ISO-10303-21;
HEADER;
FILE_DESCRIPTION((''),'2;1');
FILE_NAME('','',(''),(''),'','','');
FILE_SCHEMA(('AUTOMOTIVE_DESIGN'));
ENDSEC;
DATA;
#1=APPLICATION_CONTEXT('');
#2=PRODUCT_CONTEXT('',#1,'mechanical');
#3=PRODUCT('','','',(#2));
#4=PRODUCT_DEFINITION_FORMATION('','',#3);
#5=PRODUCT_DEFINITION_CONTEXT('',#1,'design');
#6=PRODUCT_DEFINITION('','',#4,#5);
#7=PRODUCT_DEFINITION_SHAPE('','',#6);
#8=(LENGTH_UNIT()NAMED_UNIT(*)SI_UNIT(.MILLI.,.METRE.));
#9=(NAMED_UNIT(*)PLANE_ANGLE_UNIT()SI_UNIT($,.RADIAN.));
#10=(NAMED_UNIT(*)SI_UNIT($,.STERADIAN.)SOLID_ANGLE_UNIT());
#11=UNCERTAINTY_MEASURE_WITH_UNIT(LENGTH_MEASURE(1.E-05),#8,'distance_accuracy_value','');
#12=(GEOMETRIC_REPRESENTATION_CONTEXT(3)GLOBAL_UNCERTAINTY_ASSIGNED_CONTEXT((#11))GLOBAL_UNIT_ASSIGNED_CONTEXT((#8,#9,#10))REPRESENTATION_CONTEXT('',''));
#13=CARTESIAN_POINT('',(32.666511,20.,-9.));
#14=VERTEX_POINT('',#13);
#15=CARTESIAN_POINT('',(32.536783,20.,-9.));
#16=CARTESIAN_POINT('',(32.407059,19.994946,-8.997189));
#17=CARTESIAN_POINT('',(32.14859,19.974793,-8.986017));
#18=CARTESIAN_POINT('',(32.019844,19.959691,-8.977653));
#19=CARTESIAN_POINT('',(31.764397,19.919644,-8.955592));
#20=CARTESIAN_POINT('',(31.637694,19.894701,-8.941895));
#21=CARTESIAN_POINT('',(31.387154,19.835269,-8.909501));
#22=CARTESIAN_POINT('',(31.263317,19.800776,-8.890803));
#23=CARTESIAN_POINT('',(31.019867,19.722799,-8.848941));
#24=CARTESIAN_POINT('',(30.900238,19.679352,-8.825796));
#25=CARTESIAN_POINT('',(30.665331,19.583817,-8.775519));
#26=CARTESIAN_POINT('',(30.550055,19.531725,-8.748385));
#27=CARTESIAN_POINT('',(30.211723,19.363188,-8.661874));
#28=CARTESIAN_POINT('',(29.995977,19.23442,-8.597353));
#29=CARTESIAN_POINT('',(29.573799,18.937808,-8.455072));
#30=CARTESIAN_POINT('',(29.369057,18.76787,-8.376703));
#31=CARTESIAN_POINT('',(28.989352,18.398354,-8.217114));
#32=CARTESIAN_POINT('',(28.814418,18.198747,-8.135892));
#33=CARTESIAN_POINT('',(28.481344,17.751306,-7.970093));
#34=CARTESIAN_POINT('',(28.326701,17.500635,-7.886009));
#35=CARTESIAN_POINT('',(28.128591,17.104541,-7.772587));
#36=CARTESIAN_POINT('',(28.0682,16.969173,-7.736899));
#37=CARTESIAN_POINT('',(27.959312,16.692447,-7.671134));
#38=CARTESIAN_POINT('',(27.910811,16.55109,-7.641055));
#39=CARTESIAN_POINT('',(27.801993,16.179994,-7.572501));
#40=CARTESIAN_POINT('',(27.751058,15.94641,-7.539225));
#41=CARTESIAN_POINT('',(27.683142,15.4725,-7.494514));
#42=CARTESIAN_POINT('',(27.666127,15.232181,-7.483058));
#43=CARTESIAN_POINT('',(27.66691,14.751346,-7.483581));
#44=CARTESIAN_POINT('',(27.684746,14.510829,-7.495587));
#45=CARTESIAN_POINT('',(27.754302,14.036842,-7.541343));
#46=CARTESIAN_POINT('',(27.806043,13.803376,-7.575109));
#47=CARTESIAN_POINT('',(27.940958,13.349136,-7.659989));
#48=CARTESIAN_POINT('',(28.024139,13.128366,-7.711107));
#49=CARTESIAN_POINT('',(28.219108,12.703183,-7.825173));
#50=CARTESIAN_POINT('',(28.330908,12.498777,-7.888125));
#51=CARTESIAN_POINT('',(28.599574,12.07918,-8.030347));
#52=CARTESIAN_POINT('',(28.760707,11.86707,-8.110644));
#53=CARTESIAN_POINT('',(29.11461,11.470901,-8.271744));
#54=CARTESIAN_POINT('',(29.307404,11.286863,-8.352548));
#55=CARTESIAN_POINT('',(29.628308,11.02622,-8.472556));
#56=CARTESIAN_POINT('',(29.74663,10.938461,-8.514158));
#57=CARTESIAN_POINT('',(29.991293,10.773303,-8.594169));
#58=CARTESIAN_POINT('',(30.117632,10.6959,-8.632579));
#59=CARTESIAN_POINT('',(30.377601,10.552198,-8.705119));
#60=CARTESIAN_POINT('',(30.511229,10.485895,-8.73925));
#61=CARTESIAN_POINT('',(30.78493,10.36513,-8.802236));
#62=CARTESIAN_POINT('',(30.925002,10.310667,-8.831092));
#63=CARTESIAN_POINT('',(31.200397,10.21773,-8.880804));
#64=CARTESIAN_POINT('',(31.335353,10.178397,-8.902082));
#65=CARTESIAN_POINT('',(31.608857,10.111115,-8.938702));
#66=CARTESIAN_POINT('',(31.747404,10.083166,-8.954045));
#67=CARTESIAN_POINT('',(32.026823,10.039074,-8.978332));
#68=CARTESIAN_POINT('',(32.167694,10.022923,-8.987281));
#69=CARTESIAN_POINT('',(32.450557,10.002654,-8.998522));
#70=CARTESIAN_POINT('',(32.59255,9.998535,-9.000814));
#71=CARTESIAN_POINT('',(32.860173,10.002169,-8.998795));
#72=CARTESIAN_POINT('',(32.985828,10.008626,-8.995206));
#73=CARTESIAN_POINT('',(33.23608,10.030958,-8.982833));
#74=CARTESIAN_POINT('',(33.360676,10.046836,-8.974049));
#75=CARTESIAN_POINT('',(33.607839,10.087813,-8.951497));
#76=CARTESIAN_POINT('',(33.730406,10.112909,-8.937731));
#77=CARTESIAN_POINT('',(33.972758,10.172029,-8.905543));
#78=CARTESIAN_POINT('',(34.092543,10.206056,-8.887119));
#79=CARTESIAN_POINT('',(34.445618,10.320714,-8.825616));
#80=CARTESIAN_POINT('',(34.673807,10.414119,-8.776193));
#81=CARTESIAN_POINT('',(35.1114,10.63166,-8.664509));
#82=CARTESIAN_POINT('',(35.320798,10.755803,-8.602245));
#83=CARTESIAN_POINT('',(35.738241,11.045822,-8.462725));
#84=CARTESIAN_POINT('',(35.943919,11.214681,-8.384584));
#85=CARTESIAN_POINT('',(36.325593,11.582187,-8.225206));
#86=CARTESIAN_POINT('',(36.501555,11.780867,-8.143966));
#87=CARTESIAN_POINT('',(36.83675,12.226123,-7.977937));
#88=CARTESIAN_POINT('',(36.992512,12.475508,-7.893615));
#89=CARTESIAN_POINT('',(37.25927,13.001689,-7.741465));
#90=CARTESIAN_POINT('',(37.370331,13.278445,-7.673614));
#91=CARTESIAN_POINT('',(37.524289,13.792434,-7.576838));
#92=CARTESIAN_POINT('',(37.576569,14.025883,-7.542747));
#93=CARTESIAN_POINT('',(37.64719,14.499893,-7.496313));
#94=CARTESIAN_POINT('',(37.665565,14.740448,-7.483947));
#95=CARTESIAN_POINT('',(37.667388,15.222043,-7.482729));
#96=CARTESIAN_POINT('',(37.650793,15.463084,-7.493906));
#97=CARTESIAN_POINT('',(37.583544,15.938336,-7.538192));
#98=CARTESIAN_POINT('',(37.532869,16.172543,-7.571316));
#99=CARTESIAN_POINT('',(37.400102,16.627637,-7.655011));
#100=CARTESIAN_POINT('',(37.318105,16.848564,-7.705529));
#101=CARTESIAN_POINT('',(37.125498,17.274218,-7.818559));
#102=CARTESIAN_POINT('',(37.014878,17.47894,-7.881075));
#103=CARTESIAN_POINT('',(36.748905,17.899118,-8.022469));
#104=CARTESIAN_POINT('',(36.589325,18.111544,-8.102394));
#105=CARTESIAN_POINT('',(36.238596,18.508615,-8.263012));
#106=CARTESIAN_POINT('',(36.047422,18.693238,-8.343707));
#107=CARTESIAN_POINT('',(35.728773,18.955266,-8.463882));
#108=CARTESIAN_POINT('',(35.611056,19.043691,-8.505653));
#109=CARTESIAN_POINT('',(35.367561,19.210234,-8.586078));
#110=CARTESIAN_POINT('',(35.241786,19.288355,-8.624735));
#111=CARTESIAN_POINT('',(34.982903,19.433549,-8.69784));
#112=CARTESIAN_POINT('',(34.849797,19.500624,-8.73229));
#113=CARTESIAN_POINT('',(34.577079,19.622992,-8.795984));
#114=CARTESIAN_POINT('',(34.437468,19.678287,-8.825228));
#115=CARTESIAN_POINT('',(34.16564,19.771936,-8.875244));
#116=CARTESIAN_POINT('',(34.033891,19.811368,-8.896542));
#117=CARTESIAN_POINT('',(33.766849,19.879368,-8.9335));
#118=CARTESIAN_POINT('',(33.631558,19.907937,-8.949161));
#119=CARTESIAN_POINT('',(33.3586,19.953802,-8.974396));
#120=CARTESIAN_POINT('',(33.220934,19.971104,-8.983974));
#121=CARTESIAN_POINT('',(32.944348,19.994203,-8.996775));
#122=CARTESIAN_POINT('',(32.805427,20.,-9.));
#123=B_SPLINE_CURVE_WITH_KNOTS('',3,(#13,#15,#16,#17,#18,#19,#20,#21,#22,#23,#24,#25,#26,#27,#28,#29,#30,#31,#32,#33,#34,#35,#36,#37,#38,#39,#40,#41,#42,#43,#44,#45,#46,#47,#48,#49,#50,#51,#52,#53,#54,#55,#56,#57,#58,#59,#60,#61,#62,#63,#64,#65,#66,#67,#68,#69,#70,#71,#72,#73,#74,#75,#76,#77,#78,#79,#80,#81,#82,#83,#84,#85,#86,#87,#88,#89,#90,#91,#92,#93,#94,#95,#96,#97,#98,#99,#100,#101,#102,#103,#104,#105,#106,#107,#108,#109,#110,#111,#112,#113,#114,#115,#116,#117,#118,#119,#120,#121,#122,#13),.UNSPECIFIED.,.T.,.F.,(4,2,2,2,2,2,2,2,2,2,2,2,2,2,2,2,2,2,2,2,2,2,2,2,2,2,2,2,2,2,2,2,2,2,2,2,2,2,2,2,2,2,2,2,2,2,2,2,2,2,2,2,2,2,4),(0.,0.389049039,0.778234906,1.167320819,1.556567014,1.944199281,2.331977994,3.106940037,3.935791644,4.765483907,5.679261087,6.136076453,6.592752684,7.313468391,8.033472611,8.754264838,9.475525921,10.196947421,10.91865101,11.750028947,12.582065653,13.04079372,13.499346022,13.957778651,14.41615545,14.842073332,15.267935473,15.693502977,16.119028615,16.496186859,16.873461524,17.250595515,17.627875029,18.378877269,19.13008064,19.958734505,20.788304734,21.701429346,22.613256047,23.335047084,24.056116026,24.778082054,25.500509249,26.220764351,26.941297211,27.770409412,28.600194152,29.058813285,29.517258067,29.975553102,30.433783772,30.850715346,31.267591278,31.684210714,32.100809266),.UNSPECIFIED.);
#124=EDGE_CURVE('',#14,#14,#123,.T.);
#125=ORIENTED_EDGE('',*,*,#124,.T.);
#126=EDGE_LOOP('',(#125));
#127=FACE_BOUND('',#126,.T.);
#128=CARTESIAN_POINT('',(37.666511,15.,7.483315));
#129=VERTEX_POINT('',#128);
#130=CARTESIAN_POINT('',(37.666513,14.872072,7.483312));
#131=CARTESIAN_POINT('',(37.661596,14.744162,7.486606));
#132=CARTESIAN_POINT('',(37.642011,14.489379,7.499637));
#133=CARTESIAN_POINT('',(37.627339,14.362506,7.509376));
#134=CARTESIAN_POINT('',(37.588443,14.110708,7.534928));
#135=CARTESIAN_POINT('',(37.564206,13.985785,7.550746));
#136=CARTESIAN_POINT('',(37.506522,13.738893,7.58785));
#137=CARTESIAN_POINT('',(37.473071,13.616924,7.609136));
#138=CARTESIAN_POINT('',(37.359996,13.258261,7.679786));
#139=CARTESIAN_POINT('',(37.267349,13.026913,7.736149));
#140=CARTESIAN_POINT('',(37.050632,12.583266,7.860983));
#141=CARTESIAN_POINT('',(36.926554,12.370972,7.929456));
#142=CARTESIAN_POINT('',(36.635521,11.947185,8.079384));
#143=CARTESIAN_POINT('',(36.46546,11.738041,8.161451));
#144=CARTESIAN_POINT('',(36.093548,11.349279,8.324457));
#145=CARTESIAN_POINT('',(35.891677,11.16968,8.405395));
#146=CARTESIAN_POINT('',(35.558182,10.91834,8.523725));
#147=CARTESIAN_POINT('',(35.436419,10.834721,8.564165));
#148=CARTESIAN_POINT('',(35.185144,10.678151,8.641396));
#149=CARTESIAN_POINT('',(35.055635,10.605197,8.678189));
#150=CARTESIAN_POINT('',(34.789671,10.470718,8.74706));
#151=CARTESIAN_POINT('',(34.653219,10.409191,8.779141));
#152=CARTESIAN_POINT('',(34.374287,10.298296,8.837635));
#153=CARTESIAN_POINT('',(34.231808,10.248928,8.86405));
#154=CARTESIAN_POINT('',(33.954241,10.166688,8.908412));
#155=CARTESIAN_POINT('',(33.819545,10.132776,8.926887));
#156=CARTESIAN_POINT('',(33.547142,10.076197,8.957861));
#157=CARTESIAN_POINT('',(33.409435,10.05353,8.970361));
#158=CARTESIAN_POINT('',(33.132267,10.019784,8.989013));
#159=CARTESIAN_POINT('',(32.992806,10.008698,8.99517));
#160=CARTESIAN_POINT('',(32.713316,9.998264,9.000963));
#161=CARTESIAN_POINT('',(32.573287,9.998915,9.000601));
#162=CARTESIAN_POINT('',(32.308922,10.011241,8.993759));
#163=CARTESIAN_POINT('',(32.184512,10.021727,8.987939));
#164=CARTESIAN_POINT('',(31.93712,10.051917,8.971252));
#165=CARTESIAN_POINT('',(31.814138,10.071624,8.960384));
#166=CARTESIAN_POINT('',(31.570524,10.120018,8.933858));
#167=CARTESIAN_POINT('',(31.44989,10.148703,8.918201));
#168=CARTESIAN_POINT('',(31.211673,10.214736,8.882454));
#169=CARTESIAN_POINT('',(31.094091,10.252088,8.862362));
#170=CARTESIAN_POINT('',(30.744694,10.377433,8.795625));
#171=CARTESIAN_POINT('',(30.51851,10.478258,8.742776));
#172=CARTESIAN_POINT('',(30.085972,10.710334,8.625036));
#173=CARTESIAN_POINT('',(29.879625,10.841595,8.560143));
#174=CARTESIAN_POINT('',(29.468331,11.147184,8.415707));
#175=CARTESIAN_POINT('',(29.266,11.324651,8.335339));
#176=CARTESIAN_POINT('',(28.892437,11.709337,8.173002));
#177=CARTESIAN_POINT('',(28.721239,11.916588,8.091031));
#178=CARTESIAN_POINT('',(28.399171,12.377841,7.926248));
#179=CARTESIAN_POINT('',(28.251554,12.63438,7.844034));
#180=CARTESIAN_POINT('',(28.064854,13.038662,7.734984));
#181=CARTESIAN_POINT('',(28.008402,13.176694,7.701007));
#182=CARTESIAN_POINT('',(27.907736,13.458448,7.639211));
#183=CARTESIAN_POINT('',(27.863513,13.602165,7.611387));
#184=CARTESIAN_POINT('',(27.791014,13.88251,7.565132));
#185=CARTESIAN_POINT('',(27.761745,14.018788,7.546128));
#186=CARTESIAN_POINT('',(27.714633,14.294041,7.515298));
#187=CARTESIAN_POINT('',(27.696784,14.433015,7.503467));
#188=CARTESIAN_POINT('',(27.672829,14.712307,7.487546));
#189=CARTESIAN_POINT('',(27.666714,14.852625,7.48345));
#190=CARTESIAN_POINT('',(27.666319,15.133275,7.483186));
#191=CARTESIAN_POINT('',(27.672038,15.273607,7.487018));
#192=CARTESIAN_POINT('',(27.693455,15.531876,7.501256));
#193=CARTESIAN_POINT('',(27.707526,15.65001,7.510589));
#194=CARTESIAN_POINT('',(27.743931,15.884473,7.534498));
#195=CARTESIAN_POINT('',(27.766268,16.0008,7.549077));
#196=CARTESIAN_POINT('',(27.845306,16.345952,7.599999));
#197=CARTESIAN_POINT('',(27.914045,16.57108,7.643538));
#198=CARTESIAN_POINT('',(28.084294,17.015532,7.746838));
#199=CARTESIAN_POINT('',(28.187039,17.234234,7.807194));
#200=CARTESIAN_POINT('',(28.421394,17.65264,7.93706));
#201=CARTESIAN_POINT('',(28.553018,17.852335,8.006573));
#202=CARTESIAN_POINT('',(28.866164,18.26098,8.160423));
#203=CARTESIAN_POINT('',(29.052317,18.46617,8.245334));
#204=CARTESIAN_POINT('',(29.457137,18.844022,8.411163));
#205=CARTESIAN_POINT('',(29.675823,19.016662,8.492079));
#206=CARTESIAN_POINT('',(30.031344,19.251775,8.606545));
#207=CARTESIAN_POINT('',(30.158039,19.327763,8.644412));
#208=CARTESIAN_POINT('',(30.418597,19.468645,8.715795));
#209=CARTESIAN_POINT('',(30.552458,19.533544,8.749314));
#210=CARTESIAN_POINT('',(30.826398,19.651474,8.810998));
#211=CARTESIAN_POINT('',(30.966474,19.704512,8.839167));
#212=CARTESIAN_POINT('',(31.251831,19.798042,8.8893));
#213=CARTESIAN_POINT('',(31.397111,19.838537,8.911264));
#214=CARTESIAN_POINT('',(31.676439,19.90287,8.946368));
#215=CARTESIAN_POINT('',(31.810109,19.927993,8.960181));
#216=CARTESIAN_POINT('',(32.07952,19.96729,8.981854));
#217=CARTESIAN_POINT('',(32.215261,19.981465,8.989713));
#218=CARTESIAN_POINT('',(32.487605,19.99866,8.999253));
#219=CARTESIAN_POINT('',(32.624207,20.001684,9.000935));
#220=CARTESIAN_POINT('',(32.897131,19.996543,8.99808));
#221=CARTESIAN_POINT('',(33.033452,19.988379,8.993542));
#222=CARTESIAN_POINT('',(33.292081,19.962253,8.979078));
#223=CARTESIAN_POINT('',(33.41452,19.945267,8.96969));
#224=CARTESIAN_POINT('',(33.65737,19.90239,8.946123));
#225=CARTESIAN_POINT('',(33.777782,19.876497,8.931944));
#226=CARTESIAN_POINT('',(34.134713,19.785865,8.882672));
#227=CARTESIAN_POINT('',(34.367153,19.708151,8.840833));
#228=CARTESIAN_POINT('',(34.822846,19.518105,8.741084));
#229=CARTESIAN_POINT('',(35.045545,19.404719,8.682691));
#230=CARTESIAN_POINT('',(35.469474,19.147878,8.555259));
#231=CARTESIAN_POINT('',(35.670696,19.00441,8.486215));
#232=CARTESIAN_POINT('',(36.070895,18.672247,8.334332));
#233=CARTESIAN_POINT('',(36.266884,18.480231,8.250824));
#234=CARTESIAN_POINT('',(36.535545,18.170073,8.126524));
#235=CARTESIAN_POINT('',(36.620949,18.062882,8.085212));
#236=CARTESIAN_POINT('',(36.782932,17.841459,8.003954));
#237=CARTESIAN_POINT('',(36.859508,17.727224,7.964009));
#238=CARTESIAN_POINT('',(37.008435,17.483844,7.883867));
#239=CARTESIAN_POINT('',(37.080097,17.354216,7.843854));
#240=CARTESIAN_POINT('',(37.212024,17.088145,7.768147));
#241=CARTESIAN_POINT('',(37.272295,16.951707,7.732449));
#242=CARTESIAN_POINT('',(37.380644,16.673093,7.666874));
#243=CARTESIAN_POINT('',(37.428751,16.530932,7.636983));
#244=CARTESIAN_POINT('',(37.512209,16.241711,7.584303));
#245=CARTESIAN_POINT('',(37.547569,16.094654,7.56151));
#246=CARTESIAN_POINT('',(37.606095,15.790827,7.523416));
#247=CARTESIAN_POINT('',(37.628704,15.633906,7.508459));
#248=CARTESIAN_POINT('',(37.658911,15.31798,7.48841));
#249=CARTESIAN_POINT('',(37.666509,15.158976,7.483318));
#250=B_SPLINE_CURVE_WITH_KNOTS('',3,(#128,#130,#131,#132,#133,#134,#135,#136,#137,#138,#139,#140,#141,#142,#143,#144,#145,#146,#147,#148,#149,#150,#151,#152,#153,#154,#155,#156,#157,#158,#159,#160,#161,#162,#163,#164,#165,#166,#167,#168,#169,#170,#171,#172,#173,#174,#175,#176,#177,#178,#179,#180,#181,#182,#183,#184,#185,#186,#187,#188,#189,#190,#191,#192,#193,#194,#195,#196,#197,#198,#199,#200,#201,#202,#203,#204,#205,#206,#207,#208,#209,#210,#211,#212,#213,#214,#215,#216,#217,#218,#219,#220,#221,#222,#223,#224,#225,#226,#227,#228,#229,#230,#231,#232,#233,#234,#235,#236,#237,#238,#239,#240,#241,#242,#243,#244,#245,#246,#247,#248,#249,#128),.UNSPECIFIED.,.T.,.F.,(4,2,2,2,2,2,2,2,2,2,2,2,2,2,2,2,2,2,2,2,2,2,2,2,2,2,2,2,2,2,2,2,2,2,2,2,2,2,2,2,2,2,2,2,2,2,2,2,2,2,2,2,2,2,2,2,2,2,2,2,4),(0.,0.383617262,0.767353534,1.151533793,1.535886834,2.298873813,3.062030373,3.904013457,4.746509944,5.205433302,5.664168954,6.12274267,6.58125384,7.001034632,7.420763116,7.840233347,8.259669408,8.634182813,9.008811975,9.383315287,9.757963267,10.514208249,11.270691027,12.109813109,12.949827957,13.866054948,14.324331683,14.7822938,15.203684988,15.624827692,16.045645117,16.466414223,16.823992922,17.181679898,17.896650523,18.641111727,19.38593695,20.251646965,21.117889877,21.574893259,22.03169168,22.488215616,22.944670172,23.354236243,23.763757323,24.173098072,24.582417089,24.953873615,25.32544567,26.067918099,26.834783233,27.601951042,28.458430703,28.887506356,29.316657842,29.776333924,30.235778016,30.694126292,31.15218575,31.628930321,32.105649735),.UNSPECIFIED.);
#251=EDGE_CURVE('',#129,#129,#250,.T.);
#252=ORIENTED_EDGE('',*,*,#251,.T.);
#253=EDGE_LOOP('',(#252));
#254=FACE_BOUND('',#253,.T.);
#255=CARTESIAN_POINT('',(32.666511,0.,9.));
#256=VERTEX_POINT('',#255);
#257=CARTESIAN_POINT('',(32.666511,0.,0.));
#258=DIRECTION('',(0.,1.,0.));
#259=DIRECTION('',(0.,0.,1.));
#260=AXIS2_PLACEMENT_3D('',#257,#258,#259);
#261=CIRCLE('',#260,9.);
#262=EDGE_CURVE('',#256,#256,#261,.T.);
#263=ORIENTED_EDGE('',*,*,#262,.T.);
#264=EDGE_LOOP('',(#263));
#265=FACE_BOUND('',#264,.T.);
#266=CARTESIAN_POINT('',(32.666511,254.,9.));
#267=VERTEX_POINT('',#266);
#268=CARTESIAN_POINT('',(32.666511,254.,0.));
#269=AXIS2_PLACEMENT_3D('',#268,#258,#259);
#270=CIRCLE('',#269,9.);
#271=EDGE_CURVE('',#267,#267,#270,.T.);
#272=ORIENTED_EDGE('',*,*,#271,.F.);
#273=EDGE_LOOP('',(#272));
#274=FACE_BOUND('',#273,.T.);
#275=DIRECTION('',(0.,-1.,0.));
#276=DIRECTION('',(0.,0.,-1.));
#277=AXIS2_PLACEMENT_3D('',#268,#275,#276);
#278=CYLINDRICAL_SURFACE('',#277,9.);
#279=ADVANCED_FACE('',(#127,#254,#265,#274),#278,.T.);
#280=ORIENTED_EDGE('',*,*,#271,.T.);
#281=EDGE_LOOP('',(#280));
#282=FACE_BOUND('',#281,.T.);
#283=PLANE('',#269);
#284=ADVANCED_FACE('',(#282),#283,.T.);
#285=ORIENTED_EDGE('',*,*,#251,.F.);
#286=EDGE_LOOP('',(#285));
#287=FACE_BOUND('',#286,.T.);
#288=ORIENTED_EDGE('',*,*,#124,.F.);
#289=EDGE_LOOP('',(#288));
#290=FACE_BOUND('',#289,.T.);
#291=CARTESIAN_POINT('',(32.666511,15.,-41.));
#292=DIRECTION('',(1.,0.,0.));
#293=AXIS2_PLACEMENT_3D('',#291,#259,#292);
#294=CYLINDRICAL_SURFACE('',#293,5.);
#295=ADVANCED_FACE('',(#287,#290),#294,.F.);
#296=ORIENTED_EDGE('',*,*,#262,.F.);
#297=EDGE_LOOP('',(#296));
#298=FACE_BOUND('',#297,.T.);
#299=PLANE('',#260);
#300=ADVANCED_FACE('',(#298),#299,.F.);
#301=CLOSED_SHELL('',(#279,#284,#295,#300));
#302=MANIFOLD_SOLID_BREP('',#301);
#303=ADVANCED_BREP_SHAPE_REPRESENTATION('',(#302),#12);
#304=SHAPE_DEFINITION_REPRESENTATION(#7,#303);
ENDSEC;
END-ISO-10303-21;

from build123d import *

# Parameters (mm, degrees)
SKETCH5_R           = 9
BOSS_EXTRUDE2_DEPTH = 254
SKETCH7_R           = 5
CUT_EXTRUDE2_DEPTH  = 50


with BuildPart() as part:
    # Sketch5 → Boss-Extrude2 (new body)
    with BuildSketch(Plane(origin=(0, 0, 0), x_dir=(1, 0, 0), z_dir=(0, 1, 0))):
        with Locations(Location((32.666511495, 0, 0), (0, 0, 270))):
            Circle(SKETCH5_R)
    extrude(amount=BOSS_EXTRUDE2_DEPTH)

    # Sketch7 → Cut-Extrude2 (cut)
    with BuildSketch(Plane.XY.offset(9)):
        with Locations(Location((32.666511495, 15, 0), (0, 0, 89.999999967))):
            Circle(SKETCH7_R)
    extrude(amount=-CUT_EXTRUDE2_DEPTH, mode=Mode.SUBTRACT)


solid = part.part
